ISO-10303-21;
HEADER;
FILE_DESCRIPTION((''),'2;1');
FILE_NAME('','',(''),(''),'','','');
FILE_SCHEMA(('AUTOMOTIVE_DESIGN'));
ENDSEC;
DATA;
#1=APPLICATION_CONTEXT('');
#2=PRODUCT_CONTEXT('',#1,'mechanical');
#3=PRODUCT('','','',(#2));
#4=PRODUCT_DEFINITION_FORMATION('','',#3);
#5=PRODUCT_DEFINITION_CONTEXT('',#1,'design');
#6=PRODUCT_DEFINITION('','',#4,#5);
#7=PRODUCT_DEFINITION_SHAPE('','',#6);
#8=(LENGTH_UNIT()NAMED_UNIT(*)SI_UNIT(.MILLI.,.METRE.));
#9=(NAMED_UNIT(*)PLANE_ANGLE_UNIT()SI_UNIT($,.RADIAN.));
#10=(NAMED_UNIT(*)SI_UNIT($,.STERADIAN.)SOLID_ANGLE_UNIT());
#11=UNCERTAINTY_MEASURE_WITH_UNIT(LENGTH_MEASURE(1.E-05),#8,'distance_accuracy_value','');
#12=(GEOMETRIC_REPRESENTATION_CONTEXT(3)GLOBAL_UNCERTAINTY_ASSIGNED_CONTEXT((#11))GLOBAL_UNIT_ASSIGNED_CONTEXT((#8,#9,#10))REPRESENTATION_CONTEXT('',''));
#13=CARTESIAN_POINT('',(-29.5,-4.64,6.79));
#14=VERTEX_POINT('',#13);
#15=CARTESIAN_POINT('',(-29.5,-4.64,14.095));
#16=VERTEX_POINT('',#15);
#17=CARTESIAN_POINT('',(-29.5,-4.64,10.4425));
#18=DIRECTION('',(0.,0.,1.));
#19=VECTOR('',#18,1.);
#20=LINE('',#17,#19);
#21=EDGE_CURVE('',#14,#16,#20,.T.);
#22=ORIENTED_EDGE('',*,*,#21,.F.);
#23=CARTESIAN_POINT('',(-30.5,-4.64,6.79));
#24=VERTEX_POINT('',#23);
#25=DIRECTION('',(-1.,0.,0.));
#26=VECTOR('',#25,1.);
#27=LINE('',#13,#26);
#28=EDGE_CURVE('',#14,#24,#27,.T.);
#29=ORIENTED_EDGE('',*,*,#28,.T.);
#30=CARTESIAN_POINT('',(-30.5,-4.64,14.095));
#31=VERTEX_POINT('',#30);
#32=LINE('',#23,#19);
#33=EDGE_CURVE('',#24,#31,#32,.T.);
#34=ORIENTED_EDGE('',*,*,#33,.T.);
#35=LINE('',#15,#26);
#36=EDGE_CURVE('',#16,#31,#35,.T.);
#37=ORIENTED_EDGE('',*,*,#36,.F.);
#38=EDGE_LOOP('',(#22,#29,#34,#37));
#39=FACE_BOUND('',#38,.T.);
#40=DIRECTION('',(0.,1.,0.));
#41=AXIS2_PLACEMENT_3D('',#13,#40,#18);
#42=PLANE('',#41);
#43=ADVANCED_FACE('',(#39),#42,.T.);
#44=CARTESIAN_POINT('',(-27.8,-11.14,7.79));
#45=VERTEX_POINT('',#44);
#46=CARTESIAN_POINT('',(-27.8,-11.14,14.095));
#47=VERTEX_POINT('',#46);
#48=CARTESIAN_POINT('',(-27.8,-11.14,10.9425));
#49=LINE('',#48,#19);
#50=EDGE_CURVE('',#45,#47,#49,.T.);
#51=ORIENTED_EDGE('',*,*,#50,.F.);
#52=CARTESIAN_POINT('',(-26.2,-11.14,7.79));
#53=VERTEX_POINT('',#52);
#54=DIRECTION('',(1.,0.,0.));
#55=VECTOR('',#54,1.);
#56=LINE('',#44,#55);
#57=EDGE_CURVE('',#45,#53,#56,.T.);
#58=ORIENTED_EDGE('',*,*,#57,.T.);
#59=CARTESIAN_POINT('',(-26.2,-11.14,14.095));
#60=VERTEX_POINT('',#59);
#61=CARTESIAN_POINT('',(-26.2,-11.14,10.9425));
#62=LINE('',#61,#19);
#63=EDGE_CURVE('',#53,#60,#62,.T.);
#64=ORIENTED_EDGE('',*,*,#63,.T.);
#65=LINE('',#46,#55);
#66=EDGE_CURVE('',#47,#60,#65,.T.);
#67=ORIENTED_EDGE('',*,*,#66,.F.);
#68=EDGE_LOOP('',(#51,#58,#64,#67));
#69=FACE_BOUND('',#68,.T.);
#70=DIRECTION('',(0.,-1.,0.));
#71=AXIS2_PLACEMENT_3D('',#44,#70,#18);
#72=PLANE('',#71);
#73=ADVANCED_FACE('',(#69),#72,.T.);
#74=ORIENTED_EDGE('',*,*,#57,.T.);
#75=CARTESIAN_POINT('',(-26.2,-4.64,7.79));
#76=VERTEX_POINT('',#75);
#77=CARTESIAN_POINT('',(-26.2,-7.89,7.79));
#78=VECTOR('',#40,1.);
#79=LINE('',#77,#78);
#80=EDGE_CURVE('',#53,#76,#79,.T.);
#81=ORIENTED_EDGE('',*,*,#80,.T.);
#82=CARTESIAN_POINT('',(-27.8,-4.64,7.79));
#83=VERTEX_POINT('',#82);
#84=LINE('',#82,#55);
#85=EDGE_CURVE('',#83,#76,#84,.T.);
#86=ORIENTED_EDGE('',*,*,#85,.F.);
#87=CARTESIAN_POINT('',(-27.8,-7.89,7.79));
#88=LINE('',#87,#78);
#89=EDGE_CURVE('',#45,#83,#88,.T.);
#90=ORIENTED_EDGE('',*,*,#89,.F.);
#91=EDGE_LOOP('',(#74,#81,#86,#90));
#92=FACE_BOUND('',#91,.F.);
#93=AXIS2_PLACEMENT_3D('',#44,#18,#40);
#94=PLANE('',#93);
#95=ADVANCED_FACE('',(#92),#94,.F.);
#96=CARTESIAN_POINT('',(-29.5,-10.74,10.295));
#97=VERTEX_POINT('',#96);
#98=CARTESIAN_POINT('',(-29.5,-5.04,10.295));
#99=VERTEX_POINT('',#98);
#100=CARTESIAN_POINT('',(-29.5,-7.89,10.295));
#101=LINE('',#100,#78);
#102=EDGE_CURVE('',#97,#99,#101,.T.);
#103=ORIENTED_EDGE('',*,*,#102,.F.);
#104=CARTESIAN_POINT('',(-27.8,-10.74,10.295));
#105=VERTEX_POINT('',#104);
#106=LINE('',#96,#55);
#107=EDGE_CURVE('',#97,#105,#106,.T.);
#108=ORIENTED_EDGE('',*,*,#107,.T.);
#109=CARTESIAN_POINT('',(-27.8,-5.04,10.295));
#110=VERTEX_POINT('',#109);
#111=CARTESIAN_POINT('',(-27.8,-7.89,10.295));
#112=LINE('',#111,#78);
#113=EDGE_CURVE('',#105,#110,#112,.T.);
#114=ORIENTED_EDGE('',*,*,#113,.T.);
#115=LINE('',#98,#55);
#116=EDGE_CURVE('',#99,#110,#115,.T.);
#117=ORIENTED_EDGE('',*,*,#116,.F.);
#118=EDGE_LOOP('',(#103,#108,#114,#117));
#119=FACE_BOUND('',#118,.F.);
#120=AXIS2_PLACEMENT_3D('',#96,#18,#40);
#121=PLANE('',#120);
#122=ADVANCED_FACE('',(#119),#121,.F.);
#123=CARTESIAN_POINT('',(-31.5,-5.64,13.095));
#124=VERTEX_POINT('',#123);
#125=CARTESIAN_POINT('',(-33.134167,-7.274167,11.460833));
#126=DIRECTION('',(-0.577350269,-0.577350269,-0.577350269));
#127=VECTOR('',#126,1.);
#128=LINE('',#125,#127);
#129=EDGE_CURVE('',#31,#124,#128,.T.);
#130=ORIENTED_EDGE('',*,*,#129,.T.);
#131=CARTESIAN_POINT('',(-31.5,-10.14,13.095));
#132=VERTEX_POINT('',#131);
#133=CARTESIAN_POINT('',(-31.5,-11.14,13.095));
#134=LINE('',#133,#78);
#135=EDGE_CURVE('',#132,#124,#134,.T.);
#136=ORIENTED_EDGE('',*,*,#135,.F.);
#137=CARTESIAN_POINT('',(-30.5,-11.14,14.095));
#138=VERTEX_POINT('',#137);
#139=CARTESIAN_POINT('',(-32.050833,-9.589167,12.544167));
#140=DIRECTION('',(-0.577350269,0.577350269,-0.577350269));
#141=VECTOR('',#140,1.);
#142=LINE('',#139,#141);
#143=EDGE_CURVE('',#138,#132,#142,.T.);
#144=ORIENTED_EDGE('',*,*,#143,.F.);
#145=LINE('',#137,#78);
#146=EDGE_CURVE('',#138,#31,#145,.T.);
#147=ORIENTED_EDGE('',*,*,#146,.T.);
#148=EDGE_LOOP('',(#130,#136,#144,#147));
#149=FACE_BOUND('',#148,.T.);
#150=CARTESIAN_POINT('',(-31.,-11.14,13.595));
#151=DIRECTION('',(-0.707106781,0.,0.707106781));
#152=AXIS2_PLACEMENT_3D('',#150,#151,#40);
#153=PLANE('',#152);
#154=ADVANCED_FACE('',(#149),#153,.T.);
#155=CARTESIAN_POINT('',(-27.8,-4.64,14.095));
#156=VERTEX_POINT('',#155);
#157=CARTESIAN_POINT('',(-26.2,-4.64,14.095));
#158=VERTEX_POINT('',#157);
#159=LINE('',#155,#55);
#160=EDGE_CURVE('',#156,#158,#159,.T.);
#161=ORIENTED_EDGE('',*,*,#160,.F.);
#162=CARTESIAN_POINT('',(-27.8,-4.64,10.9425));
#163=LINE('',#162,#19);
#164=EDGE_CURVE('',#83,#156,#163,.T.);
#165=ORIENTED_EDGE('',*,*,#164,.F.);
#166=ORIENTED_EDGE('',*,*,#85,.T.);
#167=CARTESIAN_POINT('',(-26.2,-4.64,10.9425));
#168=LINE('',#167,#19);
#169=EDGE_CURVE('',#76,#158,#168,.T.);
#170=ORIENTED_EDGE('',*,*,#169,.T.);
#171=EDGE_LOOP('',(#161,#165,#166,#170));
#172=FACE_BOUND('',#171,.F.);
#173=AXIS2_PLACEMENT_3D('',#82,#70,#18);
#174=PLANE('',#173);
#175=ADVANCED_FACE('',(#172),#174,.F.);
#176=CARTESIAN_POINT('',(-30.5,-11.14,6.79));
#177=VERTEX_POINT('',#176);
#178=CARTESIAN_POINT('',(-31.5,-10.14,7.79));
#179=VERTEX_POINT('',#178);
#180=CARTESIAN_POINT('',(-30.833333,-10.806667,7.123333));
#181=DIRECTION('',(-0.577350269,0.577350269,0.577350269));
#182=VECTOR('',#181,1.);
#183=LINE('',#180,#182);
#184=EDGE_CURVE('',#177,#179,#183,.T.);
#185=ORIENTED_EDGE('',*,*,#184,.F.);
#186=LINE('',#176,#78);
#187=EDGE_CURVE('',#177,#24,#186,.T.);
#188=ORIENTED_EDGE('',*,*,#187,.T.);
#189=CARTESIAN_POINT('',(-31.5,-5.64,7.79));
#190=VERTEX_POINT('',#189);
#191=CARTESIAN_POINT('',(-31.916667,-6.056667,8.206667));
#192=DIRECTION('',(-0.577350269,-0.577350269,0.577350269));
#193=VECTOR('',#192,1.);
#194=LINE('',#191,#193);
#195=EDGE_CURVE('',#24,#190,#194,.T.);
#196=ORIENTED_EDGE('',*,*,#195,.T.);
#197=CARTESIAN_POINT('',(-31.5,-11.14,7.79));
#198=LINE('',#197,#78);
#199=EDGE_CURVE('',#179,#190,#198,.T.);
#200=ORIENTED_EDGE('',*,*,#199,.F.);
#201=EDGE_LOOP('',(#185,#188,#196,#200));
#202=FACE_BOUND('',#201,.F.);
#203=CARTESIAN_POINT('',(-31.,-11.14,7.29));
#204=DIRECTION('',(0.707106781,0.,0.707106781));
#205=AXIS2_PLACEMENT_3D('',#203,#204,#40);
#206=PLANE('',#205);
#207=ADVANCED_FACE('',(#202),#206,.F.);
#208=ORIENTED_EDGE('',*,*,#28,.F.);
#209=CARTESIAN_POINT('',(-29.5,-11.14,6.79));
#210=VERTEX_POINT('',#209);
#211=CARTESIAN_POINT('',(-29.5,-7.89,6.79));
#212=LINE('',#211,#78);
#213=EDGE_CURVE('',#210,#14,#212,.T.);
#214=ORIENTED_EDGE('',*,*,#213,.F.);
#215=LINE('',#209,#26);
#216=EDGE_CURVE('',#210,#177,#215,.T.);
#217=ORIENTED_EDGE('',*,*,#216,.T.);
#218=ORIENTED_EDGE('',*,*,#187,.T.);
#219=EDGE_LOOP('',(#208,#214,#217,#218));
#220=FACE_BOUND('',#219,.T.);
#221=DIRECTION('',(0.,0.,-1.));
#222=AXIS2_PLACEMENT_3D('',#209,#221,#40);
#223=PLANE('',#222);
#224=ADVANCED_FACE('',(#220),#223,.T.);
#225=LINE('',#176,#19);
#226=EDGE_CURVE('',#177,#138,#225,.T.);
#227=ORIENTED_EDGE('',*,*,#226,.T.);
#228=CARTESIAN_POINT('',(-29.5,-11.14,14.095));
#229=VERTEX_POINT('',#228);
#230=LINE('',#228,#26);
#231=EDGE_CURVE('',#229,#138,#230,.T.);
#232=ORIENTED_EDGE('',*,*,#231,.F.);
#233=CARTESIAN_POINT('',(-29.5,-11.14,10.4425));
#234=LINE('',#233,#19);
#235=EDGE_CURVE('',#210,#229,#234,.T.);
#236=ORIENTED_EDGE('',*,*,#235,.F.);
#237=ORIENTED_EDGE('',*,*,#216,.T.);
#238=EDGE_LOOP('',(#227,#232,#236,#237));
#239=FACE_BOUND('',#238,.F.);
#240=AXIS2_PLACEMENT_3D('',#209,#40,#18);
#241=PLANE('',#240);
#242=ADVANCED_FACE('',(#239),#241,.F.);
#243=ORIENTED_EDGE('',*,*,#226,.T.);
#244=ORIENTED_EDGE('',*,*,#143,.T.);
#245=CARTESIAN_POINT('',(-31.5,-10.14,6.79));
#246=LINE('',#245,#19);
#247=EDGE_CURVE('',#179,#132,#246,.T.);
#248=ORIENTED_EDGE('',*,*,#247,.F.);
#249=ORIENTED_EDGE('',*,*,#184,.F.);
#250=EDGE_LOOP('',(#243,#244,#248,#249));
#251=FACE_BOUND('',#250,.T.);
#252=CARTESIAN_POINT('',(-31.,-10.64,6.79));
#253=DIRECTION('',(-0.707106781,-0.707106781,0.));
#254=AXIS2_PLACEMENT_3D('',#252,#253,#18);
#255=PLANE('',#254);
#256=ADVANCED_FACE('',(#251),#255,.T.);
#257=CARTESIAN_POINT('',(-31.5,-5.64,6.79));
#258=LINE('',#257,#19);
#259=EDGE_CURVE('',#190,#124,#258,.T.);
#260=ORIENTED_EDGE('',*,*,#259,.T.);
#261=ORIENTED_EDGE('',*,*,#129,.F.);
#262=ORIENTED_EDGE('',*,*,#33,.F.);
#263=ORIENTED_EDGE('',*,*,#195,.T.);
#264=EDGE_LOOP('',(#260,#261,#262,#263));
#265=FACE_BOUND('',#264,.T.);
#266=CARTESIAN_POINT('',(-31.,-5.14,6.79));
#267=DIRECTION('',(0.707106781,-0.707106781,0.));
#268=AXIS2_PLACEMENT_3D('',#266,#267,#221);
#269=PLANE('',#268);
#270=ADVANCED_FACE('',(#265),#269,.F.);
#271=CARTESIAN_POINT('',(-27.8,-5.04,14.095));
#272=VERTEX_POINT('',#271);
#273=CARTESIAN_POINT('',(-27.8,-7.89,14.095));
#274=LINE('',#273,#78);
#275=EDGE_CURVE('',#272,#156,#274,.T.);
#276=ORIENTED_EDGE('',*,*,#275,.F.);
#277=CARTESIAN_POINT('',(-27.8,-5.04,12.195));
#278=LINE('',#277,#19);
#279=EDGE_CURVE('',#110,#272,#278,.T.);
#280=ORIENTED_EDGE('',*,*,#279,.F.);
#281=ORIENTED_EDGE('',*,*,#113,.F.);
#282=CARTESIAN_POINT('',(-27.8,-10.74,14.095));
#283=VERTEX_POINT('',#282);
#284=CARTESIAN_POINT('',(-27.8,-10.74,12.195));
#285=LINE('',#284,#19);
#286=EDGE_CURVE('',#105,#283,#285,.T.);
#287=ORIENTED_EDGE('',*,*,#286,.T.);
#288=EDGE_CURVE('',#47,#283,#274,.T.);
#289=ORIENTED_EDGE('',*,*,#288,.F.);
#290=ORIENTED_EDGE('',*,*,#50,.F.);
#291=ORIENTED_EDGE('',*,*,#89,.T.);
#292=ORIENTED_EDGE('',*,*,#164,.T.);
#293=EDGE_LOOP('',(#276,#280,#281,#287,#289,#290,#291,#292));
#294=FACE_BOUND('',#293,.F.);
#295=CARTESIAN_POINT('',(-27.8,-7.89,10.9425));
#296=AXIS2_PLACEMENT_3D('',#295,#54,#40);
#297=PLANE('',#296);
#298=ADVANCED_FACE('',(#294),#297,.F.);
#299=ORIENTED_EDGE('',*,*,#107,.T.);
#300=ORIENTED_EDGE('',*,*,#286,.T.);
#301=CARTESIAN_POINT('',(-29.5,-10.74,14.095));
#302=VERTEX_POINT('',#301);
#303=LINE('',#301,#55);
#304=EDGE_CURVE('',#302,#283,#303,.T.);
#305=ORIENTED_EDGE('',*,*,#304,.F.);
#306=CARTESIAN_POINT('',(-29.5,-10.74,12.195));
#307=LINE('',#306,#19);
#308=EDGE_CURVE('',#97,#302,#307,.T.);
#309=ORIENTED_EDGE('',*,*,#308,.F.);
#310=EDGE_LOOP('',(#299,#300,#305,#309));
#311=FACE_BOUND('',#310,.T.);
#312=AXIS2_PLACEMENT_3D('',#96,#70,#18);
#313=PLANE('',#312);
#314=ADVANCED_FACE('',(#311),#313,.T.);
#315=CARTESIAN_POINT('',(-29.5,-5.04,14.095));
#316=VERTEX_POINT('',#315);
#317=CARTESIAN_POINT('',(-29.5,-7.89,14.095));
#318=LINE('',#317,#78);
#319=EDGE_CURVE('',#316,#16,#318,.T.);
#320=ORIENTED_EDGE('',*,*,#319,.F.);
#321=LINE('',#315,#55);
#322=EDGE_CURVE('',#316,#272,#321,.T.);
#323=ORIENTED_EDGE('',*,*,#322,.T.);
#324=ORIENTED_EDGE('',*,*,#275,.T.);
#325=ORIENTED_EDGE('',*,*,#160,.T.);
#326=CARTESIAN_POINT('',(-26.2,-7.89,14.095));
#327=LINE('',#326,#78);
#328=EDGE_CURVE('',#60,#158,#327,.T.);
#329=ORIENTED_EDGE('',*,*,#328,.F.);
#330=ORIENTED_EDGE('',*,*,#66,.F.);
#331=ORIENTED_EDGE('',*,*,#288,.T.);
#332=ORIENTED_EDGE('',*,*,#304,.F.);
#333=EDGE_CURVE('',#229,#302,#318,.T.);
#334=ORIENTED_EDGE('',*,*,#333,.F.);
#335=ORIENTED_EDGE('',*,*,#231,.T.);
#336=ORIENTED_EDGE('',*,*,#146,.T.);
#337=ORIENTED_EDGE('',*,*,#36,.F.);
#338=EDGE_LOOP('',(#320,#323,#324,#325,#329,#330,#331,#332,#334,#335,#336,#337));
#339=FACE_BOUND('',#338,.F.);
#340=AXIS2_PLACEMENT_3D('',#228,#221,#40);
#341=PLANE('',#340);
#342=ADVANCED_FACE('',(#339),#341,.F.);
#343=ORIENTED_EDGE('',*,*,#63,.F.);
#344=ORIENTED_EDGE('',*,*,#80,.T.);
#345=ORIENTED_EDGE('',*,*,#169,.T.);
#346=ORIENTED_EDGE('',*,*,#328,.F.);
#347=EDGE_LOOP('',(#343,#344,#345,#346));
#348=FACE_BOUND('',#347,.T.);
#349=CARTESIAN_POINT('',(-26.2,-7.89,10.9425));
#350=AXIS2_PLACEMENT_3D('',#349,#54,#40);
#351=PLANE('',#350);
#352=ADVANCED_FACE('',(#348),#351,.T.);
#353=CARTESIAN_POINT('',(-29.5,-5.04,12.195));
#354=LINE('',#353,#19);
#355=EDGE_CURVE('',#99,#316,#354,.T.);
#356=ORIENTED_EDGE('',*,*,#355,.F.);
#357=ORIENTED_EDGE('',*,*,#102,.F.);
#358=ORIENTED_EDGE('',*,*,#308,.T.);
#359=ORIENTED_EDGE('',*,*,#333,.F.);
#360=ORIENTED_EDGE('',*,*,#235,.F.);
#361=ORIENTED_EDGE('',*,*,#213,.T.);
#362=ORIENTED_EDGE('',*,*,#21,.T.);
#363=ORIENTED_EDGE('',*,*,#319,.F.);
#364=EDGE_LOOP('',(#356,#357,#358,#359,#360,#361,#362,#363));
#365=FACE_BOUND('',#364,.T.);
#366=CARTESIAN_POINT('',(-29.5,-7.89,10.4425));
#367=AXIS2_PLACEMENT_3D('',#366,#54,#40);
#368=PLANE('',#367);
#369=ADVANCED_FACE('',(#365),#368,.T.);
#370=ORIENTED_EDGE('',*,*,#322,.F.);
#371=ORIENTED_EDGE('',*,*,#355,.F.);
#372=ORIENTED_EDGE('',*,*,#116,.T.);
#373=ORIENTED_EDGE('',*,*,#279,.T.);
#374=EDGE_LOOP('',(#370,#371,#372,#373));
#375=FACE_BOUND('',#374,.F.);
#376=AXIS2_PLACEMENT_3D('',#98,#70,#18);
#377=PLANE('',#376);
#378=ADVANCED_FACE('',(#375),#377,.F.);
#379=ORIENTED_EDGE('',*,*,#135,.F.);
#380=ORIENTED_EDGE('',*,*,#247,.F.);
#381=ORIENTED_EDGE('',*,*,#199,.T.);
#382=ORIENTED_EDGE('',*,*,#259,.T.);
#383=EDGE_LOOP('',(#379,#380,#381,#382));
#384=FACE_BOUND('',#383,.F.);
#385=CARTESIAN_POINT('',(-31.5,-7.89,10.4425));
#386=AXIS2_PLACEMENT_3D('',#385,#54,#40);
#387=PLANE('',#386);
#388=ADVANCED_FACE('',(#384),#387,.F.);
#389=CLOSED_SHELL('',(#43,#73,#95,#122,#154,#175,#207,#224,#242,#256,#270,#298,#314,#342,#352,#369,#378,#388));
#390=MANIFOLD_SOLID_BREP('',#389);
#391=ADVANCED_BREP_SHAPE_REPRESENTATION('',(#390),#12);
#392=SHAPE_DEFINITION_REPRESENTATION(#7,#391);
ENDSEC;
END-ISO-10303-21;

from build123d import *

# Parameters (mm, degrees)
SKETCH126_W  = 5.7
SKETCH126_H  = 3.8
PAD061_DEPTH = 1.7
SKETCH127_W  = 6.5
SKETCH127_H  = 6.305
PAD062_DEPTH = 1.6
SKETCH128_W  = 6.5
SKETCH128_H  = 7.305
PAD063_DEPTH = 2
CHAMFER_SIZE = 1


with BuildPart() as part:
    # Sketch126 → Pad061 (new body)
    with BuildSketch(Plane.YZ):
        with Locations((-7.89, 12.195)):
            Rectangle(SKETCH126_W, SKETCH126_H)
    extrude(amount=PAD061_DEPTH)

    # Sketch127 → Pad062 (join)
    with BuildSketch(Plane.YZ.offset(1.7)):
        with Locations((-7.89, 10.9425)):
            Rectangle(SKETCH127_W, SKETCH127_H)
    extrude(amount=PAD062_DEPTH)

    # Sketch128 → Pad063 (join)
    with BuildSketch(Plane.YZ):
        with Locations((-7.89, 10.4425)):
            Rectangle(SKETCH128_W, SKETCH128_H)
    extrude(amount=-PAD063_DEPTH)

    # Chamfer
    chamfer_edges = [part.edges().sort_by_distance(p)[0] for p in [
        (-2, -7.89, 14.095),
        (-2, -11.14, 10.4425),
        (-2, -7.89, 6.79),
        (-2, -4.64, 10.4425),
    ]]
    chamfer(chamfer_edges, length=CHAMFER_SIZE)


with BuildPart() as part_1:
    # Body017 placement: moved
    add(part.part.moved(Location((-29.5, 0, 0))))


solid = part_1.part
